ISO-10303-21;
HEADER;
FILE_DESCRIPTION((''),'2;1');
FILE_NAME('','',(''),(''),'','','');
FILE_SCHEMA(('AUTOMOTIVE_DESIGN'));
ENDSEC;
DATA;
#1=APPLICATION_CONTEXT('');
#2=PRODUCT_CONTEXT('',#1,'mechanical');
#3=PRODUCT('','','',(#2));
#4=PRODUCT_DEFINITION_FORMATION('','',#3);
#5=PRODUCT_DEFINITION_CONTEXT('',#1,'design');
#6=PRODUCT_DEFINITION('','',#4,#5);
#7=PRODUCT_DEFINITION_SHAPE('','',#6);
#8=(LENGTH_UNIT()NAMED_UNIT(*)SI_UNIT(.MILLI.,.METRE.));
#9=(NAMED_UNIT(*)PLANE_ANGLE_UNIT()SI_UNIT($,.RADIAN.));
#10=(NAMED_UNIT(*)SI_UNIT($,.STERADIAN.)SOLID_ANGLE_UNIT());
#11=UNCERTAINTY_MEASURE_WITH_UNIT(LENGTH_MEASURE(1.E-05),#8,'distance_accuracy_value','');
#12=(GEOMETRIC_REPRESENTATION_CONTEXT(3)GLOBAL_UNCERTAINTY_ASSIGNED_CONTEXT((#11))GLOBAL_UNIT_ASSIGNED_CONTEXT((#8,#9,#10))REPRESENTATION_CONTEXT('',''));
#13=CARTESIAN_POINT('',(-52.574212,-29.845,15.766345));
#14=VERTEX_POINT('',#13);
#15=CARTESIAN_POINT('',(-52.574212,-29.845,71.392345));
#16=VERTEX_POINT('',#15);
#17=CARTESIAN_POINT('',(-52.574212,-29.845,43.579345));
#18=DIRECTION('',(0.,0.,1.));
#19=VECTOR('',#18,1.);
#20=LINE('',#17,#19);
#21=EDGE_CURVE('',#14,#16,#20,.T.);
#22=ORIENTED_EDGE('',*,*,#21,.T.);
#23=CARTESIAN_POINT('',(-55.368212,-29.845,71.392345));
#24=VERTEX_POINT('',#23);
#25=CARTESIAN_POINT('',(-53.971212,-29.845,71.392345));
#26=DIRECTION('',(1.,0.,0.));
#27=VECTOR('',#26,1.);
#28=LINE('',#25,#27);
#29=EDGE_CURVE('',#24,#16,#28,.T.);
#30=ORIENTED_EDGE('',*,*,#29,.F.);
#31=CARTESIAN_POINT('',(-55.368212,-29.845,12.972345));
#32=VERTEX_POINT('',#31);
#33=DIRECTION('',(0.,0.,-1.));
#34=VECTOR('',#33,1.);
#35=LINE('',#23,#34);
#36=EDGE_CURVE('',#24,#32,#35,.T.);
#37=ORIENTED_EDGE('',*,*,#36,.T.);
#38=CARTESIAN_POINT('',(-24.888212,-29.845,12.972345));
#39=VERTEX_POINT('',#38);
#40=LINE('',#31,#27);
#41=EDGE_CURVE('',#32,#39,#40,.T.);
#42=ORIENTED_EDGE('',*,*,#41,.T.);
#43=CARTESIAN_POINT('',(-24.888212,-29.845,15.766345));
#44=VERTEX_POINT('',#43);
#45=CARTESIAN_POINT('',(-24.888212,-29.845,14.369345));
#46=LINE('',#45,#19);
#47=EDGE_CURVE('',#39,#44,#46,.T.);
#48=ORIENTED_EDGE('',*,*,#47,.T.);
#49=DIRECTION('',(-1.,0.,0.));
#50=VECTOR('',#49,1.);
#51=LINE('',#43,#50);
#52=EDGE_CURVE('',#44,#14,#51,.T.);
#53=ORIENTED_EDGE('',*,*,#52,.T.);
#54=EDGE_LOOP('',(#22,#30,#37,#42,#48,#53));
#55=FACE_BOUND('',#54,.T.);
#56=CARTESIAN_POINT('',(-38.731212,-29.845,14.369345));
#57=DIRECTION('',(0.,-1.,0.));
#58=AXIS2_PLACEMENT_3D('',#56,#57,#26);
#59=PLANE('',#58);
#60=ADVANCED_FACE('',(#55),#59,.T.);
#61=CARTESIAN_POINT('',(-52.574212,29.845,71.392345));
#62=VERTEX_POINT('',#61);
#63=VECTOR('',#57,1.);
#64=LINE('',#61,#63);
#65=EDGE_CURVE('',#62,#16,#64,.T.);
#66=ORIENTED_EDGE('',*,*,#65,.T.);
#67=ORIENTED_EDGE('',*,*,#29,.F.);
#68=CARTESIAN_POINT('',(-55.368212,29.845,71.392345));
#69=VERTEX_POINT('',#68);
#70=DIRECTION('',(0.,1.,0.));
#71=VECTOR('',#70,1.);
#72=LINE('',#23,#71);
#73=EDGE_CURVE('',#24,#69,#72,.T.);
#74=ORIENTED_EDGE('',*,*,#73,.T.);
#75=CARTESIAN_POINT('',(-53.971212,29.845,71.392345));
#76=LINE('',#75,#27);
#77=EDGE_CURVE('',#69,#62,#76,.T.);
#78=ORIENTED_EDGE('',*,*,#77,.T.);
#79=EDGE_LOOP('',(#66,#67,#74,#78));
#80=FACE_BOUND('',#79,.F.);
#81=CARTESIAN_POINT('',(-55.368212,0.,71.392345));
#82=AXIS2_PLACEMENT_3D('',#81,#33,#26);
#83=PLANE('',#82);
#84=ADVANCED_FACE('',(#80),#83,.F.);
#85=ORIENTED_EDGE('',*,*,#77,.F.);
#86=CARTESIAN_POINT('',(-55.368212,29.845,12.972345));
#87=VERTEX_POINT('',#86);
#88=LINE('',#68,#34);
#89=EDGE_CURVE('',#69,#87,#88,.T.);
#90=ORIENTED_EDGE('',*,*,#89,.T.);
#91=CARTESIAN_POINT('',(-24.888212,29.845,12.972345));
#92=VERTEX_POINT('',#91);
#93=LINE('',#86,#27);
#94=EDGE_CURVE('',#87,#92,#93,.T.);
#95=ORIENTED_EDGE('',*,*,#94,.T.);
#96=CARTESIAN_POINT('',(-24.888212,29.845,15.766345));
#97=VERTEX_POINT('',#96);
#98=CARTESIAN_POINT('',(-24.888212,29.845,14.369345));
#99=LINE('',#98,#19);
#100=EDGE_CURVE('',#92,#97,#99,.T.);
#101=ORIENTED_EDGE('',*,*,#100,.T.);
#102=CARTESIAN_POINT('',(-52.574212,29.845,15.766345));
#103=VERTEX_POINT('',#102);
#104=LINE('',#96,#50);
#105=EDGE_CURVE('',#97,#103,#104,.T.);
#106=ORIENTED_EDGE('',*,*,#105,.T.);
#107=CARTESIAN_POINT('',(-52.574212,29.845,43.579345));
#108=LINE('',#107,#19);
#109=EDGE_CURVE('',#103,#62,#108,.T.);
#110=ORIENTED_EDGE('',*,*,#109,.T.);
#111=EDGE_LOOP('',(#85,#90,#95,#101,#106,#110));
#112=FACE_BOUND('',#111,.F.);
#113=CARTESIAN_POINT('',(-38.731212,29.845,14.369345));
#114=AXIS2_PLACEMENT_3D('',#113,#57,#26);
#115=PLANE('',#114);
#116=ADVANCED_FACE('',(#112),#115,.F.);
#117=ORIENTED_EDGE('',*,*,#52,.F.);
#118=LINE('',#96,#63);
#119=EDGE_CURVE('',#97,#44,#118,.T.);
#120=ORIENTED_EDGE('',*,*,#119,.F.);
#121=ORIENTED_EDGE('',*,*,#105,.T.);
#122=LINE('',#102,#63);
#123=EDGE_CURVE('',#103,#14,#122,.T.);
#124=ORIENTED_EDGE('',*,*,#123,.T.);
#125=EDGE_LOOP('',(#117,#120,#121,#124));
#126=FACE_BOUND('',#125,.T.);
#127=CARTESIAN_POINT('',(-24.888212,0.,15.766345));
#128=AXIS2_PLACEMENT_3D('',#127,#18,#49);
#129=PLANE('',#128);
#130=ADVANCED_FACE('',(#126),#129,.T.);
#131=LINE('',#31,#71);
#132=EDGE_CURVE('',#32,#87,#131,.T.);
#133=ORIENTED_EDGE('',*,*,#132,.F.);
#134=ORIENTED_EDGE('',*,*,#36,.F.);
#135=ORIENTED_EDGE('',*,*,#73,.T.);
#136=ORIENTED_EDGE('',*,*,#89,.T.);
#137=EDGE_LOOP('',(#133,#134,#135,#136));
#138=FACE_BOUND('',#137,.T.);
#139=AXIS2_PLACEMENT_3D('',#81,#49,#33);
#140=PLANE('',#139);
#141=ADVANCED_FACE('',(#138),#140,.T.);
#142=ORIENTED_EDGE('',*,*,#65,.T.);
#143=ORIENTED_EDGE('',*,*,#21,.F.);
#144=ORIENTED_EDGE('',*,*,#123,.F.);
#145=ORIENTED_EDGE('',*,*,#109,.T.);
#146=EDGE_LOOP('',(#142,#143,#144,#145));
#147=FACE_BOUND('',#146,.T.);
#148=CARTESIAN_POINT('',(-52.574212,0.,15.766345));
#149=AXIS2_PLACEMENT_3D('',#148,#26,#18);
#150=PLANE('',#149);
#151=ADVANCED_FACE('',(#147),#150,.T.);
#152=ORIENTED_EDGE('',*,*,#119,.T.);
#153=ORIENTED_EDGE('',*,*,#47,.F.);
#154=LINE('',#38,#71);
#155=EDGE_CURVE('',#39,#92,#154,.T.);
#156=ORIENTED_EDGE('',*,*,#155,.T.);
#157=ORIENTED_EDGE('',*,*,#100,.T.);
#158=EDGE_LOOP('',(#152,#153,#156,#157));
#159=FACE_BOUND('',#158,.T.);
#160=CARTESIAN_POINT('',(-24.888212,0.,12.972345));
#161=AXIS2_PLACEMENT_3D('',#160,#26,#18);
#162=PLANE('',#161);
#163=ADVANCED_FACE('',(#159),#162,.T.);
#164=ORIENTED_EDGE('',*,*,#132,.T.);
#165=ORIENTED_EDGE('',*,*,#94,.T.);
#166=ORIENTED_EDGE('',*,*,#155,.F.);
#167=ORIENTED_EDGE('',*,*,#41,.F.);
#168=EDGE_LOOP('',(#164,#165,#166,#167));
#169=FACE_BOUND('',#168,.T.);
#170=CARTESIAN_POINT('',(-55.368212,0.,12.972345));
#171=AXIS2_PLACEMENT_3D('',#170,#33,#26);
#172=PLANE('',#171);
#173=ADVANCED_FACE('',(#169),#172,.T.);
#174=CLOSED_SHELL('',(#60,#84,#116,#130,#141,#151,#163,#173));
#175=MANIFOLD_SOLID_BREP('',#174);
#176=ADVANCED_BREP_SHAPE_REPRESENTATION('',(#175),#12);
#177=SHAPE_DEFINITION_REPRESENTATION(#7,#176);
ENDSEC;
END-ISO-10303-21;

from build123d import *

# Parameters (mm, degrees)
F0_W     = 27.686
F0_H     = 2.794
F0_W_2   = 2.794
F0_H_2   = 55.626
F1_DEPTH = 29.845


with BuildPart() as f1:
    # F0 (on Front) → F1 (new body, symmetric)
    with BuildSketch(Plane.XZ):
        with Locations((-38.731212, 14.369345)):
            Rectangle(F0_W, F0_H)
        with Locations((-53.971212, 14.369345)):
            Rectangle(F0_W_2, F0_H)
        with Locations((-53.971212, 43.579345)):
            Rectangle(F0_W_2, F0_H_2)
    extrude(amount=F1_DEPTH, both=True)


solid = f1.part
